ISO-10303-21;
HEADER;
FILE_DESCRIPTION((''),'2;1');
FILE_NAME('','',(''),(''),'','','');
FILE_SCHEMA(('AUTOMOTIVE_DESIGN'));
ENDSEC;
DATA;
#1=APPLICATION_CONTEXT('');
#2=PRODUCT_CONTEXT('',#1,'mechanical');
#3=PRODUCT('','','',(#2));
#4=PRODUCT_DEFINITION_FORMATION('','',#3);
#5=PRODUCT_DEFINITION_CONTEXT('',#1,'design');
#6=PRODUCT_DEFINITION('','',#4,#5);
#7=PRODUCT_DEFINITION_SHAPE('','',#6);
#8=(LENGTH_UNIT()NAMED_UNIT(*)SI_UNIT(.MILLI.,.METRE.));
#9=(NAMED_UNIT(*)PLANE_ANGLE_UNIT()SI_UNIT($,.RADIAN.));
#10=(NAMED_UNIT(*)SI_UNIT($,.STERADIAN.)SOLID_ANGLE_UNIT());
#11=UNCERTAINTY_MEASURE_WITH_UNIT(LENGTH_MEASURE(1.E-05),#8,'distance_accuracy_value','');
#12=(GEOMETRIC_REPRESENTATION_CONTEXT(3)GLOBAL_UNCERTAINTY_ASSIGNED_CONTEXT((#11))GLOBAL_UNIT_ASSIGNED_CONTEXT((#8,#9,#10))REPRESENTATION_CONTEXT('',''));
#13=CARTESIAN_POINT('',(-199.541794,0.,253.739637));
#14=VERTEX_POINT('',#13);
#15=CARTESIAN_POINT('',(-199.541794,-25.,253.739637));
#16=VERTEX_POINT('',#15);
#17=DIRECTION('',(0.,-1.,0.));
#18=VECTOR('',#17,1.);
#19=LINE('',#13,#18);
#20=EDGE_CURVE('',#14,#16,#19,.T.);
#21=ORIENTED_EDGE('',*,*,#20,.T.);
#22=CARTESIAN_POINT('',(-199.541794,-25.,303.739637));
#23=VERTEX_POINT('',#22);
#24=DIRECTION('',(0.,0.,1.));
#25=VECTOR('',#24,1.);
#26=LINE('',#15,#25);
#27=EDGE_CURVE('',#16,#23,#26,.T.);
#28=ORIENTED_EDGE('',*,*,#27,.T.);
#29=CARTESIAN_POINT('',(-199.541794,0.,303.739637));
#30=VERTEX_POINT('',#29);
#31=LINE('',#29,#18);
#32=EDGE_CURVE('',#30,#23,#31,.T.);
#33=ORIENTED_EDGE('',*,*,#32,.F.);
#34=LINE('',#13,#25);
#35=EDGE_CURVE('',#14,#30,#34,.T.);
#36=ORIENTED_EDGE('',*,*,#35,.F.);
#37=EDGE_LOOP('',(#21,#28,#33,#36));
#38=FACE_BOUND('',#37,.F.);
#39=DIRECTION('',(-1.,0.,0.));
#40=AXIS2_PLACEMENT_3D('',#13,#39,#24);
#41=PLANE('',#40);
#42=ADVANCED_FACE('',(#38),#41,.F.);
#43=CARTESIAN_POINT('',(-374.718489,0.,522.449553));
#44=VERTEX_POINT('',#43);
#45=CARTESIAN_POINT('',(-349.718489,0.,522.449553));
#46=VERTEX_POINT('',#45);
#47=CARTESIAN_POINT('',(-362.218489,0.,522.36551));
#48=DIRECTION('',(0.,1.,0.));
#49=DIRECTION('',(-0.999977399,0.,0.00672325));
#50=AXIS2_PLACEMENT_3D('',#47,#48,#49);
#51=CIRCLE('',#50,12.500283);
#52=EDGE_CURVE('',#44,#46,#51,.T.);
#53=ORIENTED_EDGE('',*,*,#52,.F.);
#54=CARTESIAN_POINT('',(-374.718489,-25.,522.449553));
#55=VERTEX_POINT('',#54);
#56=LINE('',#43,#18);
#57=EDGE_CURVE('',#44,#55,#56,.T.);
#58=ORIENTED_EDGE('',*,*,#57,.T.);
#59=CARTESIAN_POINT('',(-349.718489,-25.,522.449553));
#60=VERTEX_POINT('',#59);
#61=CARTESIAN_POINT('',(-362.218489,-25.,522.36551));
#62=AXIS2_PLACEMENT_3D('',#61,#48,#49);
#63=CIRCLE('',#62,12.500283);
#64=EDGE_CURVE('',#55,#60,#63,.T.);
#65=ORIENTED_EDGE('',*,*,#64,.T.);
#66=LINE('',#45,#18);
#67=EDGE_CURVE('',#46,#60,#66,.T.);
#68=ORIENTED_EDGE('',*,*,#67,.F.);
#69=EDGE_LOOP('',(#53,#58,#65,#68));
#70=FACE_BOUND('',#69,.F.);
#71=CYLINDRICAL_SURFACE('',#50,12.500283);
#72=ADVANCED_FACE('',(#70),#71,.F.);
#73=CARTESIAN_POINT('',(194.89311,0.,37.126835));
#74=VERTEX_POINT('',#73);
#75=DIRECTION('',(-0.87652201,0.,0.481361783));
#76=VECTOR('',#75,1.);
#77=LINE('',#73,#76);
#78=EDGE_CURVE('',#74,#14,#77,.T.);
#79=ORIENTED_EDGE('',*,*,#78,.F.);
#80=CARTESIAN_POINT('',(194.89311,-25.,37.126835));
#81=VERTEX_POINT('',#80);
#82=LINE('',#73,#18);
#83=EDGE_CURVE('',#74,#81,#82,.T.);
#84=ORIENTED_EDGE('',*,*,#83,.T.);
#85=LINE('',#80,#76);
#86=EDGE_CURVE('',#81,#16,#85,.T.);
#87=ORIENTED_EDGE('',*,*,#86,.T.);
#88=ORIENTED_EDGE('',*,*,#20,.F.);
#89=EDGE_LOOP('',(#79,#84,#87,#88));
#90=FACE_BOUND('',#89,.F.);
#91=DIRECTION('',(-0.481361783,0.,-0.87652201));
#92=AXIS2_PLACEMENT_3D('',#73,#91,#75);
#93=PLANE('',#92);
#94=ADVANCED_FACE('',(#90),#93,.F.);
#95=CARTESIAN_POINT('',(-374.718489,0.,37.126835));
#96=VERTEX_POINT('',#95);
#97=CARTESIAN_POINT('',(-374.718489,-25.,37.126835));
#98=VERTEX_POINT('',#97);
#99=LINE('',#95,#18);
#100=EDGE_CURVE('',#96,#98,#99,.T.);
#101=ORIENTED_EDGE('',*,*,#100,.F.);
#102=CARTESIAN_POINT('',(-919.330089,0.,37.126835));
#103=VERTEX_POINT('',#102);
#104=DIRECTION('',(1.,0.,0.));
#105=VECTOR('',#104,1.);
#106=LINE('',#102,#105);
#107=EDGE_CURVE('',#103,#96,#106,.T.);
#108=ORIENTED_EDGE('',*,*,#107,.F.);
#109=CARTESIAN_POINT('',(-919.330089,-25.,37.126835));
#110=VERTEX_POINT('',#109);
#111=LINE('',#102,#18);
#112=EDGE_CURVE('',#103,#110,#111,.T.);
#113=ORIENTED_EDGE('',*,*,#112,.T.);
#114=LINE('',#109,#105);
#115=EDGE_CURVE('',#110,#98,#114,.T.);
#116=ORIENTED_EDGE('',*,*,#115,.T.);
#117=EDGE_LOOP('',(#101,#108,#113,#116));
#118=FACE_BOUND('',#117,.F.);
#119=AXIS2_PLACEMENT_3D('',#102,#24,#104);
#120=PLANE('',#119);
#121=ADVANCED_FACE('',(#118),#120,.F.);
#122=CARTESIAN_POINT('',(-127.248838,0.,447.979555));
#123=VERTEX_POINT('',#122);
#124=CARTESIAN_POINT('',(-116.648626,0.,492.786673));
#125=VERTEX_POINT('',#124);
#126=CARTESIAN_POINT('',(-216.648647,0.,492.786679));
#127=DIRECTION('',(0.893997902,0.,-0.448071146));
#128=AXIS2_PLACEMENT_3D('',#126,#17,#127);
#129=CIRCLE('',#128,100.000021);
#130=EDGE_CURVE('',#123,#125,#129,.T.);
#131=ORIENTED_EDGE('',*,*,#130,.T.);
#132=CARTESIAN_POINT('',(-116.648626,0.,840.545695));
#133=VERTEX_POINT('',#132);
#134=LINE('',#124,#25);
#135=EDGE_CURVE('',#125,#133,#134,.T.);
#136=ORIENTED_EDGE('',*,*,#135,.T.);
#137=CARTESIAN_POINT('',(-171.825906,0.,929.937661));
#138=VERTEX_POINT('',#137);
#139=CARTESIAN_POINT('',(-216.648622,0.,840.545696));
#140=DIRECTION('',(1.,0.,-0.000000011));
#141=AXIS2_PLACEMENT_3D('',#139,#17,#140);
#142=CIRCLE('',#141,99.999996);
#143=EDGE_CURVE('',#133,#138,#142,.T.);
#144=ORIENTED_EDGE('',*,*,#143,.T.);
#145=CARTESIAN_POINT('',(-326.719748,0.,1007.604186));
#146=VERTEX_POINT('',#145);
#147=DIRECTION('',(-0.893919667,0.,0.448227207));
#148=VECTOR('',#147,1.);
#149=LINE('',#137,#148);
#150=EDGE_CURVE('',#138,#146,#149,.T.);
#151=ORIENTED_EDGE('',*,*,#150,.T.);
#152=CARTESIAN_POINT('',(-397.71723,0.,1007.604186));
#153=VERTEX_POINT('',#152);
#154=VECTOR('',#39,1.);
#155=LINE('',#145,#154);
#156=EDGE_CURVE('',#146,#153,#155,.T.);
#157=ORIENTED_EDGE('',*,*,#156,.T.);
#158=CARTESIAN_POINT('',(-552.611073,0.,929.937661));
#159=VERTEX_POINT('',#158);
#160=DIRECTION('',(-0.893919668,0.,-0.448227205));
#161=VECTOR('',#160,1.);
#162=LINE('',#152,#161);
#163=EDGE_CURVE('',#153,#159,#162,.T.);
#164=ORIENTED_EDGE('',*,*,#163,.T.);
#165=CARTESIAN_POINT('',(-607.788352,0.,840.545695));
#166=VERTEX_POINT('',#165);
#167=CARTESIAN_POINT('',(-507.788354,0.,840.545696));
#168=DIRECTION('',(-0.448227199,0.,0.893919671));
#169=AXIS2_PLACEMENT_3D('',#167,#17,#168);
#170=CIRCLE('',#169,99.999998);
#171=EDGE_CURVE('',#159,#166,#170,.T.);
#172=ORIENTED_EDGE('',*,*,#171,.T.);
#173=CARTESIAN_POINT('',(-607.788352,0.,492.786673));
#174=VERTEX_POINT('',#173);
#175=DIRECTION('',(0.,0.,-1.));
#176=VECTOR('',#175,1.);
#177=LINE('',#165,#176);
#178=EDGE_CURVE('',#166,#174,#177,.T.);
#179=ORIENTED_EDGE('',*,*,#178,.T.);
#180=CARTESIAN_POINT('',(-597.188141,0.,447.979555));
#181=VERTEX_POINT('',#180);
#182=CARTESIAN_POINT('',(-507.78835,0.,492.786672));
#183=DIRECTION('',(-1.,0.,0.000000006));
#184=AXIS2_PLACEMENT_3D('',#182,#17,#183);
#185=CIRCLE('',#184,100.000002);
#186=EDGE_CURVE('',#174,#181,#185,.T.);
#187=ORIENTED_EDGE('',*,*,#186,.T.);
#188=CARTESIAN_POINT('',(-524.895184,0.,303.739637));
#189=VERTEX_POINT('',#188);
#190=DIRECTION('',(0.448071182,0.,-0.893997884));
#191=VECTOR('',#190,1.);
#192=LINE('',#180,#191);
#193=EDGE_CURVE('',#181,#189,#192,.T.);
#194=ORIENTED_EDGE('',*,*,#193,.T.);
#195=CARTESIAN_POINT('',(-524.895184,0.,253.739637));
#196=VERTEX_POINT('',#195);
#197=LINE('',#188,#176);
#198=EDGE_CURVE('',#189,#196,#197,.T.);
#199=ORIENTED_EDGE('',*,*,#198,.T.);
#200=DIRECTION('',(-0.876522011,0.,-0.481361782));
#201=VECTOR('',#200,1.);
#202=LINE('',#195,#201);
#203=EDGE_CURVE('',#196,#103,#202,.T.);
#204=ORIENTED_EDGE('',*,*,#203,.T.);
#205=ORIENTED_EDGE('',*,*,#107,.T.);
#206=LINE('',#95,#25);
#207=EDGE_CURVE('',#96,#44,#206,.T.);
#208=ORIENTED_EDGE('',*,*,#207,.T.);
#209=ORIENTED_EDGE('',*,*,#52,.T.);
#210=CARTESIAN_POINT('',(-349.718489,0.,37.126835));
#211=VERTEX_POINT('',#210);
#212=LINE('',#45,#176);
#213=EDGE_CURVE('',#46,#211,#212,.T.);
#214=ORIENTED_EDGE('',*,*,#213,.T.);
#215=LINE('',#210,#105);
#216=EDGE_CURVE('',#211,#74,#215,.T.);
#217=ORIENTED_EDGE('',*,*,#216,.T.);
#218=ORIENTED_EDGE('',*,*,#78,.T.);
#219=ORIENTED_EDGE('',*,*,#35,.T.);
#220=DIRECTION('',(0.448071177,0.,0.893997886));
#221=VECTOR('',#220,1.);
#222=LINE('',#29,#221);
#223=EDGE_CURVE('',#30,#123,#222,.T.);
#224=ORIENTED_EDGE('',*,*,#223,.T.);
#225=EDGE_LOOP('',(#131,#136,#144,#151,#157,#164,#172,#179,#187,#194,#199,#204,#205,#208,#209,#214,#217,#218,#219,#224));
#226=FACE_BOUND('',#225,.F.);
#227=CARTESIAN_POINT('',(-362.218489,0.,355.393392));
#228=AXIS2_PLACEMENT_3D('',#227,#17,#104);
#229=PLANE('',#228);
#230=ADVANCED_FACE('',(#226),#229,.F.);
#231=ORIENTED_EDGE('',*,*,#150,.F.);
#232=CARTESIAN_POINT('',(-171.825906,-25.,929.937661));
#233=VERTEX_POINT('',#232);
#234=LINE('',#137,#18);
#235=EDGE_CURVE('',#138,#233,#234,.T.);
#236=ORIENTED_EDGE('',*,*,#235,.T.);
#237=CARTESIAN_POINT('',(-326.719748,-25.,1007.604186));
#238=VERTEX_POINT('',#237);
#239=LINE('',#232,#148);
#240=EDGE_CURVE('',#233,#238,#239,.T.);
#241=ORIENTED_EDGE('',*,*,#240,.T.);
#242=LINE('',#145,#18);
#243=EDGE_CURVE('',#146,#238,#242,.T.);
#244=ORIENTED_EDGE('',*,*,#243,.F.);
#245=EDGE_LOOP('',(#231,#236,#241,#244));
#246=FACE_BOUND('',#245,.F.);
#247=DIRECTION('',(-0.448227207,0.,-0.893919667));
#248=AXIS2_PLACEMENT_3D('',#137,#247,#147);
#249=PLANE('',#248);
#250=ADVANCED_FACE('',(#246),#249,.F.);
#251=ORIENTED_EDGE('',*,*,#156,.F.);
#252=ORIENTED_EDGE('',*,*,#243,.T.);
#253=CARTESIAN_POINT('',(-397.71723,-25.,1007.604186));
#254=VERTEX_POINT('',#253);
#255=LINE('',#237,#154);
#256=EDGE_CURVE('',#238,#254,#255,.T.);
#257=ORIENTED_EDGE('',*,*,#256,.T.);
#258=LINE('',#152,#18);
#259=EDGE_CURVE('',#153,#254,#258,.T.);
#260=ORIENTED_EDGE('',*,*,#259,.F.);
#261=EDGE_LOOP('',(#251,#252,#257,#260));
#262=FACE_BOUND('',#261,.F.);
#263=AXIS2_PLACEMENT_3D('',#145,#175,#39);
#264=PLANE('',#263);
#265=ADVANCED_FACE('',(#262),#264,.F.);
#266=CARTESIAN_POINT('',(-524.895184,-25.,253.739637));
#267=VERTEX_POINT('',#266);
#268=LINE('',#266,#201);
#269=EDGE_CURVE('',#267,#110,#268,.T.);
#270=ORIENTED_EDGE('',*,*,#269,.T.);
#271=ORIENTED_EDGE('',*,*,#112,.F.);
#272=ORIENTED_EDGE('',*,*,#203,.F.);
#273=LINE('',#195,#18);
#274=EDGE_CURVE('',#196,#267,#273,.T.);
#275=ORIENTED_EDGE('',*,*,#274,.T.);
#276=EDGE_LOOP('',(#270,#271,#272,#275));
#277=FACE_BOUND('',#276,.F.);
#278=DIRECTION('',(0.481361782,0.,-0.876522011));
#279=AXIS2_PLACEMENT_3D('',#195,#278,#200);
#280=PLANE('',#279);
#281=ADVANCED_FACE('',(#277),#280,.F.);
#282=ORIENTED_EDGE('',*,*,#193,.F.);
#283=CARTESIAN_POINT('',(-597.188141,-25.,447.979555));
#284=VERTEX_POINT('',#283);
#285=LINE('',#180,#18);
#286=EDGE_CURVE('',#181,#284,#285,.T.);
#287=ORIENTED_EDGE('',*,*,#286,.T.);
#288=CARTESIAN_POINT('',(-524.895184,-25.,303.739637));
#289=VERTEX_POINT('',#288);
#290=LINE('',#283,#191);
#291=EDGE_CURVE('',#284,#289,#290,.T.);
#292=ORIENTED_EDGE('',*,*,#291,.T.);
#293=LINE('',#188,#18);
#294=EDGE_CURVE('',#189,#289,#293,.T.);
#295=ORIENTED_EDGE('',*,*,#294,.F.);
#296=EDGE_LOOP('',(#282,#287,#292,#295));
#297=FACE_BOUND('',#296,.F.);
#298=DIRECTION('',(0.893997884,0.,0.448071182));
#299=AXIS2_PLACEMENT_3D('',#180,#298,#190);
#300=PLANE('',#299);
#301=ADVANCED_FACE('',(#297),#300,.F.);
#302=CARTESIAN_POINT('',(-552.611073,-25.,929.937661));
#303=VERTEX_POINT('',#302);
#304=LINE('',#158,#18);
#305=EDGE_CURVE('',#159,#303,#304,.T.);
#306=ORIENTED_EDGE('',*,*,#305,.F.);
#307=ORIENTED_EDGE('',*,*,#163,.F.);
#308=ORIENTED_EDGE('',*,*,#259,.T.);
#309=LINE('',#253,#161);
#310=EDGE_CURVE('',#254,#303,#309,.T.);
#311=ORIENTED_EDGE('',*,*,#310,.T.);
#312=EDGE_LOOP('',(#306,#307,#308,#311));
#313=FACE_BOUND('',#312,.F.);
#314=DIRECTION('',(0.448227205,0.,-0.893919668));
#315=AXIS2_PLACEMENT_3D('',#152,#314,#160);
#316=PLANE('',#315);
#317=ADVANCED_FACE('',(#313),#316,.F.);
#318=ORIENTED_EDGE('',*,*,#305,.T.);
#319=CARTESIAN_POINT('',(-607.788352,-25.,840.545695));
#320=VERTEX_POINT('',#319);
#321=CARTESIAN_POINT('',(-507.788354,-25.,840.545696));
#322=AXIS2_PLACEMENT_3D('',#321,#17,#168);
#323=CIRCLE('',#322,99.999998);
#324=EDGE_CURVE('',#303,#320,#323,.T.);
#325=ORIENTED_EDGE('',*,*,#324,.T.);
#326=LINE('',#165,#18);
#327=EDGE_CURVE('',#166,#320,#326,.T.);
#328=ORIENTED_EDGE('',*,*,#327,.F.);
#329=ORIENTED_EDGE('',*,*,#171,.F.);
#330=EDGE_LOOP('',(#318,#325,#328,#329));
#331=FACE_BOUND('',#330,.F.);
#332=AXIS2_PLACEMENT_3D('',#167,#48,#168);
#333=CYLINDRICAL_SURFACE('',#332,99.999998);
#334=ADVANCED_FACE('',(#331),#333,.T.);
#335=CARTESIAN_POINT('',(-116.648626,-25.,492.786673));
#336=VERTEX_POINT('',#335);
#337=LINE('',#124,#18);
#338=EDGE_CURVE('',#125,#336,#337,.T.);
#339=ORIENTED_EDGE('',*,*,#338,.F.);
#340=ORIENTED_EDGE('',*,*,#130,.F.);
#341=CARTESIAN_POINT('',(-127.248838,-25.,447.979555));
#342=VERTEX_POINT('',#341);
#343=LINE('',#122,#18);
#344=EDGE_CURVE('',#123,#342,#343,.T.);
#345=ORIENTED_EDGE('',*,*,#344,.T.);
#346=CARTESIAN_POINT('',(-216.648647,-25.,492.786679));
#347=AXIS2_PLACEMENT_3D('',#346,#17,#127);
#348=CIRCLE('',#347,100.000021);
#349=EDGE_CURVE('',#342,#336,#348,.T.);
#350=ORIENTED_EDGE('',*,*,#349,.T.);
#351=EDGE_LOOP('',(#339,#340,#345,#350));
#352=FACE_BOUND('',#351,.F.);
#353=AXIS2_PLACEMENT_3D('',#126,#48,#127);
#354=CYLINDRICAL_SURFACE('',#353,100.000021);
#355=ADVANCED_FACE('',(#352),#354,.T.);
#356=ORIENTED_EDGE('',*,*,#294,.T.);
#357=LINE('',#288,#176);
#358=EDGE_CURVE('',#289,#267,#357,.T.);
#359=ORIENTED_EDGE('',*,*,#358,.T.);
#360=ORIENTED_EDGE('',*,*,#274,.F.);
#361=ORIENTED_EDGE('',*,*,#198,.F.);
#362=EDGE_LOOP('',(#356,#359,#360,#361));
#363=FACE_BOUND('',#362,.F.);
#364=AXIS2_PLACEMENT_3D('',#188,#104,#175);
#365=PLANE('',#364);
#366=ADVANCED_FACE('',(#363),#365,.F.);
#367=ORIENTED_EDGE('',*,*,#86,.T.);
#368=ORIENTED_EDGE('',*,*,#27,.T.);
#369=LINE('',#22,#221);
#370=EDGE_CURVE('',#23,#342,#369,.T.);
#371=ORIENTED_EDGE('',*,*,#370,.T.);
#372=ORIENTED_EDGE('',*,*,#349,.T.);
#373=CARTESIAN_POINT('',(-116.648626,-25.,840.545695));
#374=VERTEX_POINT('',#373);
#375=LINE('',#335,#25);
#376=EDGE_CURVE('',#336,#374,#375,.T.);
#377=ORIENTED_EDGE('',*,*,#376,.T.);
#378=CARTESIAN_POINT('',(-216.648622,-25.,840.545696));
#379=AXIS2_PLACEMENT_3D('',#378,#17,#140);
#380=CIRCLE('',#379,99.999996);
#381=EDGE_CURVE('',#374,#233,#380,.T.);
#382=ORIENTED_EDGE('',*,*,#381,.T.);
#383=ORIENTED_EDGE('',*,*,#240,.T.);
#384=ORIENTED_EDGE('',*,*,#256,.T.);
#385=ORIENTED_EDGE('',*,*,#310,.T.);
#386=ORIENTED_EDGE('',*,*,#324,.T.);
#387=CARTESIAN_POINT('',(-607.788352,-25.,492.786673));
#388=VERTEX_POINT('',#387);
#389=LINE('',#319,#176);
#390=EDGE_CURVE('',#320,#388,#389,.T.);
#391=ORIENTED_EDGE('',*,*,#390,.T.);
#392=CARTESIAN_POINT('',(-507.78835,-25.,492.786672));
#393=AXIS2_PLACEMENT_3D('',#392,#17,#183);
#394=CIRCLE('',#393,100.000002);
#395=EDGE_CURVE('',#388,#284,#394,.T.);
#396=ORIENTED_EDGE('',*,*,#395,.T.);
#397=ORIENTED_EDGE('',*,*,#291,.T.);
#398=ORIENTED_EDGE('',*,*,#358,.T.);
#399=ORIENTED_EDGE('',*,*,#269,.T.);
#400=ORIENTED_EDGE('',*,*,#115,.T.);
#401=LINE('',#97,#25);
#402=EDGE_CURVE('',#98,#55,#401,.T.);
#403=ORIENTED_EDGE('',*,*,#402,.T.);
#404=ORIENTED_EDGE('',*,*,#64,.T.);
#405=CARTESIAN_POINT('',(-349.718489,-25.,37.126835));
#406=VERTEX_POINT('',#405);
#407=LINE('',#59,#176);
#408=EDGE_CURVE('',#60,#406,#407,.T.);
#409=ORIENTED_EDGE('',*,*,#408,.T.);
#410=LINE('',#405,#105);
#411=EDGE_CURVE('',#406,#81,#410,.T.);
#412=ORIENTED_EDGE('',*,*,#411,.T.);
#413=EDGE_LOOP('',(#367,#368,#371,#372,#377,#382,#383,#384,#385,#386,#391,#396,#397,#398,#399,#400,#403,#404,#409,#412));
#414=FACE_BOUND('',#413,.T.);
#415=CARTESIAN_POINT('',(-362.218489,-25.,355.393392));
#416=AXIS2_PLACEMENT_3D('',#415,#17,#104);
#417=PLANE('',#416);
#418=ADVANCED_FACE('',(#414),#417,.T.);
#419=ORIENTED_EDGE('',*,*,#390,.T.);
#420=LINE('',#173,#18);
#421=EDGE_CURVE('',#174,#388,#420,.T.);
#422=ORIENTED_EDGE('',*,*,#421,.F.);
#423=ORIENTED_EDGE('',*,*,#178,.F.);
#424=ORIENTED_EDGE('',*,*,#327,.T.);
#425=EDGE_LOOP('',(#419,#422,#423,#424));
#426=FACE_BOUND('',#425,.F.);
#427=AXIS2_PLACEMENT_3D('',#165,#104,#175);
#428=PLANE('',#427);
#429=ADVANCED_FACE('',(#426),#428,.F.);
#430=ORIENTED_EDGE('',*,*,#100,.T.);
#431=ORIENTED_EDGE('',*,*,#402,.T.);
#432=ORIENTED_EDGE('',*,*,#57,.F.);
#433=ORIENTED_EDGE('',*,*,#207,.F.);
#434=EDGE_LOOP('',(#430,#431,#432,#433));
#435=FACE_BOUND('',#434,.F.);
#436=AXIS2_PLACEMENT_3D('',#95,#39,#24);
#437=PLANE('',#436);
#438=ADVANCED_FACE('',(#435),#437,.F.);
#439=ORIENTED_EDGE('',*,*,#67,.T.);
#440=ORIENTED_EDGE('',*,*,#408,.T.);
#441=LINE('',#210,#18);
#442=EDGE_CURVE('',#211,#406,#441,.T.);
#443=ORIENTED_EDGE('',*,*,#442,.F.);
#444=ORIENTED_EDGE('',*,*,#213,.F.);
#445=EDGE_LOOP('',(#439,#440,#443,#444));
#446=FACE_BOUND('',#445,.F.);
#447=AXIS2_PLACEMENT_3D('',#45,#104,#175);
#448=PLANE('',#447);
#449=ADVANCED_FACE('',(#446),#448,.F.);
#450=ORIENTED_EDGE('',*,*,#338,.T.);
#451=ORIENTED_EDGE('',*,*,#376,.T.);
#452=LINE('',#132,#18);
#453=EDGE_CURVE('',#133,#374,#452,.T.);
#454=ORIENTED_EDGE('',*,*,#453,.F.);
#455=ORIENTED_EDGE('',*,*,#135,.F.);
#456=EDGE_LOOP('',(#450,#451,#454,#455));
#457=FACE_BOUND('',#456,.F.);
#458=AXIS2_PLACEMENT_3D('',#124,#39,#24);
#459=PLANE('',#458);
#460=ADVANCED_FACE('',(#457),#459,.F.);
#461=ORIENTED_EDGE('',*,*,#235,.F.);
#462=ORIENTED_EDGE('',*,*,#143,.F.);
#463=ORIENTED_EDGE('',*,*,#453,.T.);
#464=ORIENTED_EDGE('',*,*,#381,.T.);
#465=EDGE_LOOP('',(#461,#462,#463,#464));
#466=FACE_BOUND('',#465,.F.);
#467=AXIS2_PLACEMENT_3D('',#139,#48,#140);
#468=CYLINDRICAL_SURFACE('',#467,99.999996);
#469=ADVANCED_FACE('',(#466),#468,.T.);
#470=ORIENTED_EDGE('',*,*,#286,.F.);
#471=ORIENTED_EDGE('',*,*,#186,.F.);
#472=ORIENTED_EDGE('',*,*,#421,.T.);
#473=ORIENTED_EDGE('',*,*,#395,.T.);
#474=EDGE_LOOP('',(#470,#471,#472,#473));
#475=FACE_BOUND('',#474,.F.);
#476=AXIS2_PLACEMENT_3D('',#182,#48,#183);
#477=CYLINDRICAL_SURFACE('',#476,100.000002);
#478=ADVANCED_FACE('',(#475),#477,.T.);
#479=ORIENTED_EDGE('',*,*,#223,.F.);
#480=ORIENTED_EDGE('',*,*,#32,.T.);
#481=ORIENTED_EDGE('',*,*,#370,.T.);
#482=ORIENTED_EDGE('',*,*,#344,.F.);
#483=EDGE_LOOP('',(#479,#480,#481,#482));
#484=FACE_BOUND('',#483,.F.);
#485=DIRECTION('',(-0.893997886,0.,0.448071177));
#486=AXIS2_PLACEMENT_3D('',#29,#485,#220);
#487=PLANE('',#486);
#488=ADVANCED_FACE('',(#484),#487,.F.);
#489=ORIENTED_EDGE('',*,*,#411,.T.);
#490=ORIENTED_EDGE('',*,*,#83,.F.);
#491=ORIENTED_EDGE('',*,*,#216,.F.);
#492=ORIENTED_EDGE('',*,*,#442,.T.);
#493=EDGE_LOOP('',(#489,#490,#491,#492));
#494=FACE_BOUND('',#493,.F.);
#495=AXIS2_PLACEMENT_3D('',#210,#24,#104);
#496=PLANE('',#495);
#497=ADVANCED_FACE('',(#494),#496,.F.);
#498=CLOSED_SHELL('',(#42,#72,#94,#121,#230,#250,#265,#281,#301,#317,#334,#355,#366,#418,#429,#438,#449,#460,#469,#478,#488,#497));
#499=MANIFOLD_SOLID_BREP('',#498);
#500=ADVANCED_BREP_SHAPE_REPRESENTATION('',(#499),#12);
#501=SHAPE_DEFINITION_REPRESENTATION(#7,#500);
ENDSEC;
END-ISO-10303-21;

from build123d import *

# Parameters (mm, degrees)
F1_DEPTH = 25


with BuildPart() as f1:
    # F0 (on Front) → F1 (new body)
    with BuildSketch(Plane.XZ):
        with BuildLine():
            Line((-349.718489, 37.126835), (194.89311, 37.126835))
            Line((194.89311, 37.126835), (-199.541794, 253.739637))
            Line((-199.541794, 253.739637), (-199.541794, 303.739637))
            Line((-199.541794, 303.739637), (-127.248838, 447.979555))
            ThreePointArc((-127.248838, 447.979555), (-119.334756, 469.764715), (-116.648626, 492.786673))
            Line((-116.648626, 492.786673), (-116.648626, 840.545695))
            ThreePointArc((-116.648626, 840.545695), (-131.553761, 893.070584), (-171.825906, 929.937661))
            Line((-171.825906, 929.937661), (-326.719748, 1007.604186))
            Line((-326.719748, 1007.604186), (-397.71723, 1007.604186))
            Line((-397.71723, 1007.604186), (-552.611073, 929.937661))
            ThreePointArc((-552.611073, 929.937661), (-592.883217, 893.070584), (-607.788352, 840.545695))
            Line((-607.788352, 840.545695), (-607.788352, 492.786673))
            ThreePointArc((-607.788352, 492.786673), (-605.102223, 469.764715), (-597.188141, 447.979555))
            Line((-597.188141, 447.979555), (-524.895184, 303.739637))
            Line((-524.895184, 303.739637), (-524.895184, 253.739637))
            Line((-524.895184, 253.739637), (-919.330089, 37.126835))
            Line((-919.330089, 37.126835), (-374.718489, 37.126835))
            Line((-374.718489, 37.126835), (-374.718489, 522.281469))
            ThreePointArc((-374.718489, 522.281469), (-374.718772, 522.365511), (-374.718489, 522.449553))
            ThreePointArc((-374.718489, 522.449553), (-362.218489, 534.865793), (-349.718489, 522.449553))
            ThreePointArc((-349.718489, 522.449553), (-349.718207, 522.365511), (-349.718489, 522.281469))
            Line((-349.718489, 522.281469), (-349.718489, 37.126835))
        make_face()
        with BuildLine():
            Line((-349.718489, 522.449553), (-349.718489, 522.281469))
            ThreePointArc((-349.718489, 522.281469), (-349.718207, 522.365511), (-349.718489, 522.449553))
        make_face()
        with BuildLine():
            Line((-374.718489, 522.281469), (-374.718489, 522.449553))
            ThreePointArc((-374.718489, 522.449553), (-374.718772, 522.365511), (-374.718489, 522.281469))
        make_face()
    extrude(amount=F1_DEPTH)


solid = f1.part
